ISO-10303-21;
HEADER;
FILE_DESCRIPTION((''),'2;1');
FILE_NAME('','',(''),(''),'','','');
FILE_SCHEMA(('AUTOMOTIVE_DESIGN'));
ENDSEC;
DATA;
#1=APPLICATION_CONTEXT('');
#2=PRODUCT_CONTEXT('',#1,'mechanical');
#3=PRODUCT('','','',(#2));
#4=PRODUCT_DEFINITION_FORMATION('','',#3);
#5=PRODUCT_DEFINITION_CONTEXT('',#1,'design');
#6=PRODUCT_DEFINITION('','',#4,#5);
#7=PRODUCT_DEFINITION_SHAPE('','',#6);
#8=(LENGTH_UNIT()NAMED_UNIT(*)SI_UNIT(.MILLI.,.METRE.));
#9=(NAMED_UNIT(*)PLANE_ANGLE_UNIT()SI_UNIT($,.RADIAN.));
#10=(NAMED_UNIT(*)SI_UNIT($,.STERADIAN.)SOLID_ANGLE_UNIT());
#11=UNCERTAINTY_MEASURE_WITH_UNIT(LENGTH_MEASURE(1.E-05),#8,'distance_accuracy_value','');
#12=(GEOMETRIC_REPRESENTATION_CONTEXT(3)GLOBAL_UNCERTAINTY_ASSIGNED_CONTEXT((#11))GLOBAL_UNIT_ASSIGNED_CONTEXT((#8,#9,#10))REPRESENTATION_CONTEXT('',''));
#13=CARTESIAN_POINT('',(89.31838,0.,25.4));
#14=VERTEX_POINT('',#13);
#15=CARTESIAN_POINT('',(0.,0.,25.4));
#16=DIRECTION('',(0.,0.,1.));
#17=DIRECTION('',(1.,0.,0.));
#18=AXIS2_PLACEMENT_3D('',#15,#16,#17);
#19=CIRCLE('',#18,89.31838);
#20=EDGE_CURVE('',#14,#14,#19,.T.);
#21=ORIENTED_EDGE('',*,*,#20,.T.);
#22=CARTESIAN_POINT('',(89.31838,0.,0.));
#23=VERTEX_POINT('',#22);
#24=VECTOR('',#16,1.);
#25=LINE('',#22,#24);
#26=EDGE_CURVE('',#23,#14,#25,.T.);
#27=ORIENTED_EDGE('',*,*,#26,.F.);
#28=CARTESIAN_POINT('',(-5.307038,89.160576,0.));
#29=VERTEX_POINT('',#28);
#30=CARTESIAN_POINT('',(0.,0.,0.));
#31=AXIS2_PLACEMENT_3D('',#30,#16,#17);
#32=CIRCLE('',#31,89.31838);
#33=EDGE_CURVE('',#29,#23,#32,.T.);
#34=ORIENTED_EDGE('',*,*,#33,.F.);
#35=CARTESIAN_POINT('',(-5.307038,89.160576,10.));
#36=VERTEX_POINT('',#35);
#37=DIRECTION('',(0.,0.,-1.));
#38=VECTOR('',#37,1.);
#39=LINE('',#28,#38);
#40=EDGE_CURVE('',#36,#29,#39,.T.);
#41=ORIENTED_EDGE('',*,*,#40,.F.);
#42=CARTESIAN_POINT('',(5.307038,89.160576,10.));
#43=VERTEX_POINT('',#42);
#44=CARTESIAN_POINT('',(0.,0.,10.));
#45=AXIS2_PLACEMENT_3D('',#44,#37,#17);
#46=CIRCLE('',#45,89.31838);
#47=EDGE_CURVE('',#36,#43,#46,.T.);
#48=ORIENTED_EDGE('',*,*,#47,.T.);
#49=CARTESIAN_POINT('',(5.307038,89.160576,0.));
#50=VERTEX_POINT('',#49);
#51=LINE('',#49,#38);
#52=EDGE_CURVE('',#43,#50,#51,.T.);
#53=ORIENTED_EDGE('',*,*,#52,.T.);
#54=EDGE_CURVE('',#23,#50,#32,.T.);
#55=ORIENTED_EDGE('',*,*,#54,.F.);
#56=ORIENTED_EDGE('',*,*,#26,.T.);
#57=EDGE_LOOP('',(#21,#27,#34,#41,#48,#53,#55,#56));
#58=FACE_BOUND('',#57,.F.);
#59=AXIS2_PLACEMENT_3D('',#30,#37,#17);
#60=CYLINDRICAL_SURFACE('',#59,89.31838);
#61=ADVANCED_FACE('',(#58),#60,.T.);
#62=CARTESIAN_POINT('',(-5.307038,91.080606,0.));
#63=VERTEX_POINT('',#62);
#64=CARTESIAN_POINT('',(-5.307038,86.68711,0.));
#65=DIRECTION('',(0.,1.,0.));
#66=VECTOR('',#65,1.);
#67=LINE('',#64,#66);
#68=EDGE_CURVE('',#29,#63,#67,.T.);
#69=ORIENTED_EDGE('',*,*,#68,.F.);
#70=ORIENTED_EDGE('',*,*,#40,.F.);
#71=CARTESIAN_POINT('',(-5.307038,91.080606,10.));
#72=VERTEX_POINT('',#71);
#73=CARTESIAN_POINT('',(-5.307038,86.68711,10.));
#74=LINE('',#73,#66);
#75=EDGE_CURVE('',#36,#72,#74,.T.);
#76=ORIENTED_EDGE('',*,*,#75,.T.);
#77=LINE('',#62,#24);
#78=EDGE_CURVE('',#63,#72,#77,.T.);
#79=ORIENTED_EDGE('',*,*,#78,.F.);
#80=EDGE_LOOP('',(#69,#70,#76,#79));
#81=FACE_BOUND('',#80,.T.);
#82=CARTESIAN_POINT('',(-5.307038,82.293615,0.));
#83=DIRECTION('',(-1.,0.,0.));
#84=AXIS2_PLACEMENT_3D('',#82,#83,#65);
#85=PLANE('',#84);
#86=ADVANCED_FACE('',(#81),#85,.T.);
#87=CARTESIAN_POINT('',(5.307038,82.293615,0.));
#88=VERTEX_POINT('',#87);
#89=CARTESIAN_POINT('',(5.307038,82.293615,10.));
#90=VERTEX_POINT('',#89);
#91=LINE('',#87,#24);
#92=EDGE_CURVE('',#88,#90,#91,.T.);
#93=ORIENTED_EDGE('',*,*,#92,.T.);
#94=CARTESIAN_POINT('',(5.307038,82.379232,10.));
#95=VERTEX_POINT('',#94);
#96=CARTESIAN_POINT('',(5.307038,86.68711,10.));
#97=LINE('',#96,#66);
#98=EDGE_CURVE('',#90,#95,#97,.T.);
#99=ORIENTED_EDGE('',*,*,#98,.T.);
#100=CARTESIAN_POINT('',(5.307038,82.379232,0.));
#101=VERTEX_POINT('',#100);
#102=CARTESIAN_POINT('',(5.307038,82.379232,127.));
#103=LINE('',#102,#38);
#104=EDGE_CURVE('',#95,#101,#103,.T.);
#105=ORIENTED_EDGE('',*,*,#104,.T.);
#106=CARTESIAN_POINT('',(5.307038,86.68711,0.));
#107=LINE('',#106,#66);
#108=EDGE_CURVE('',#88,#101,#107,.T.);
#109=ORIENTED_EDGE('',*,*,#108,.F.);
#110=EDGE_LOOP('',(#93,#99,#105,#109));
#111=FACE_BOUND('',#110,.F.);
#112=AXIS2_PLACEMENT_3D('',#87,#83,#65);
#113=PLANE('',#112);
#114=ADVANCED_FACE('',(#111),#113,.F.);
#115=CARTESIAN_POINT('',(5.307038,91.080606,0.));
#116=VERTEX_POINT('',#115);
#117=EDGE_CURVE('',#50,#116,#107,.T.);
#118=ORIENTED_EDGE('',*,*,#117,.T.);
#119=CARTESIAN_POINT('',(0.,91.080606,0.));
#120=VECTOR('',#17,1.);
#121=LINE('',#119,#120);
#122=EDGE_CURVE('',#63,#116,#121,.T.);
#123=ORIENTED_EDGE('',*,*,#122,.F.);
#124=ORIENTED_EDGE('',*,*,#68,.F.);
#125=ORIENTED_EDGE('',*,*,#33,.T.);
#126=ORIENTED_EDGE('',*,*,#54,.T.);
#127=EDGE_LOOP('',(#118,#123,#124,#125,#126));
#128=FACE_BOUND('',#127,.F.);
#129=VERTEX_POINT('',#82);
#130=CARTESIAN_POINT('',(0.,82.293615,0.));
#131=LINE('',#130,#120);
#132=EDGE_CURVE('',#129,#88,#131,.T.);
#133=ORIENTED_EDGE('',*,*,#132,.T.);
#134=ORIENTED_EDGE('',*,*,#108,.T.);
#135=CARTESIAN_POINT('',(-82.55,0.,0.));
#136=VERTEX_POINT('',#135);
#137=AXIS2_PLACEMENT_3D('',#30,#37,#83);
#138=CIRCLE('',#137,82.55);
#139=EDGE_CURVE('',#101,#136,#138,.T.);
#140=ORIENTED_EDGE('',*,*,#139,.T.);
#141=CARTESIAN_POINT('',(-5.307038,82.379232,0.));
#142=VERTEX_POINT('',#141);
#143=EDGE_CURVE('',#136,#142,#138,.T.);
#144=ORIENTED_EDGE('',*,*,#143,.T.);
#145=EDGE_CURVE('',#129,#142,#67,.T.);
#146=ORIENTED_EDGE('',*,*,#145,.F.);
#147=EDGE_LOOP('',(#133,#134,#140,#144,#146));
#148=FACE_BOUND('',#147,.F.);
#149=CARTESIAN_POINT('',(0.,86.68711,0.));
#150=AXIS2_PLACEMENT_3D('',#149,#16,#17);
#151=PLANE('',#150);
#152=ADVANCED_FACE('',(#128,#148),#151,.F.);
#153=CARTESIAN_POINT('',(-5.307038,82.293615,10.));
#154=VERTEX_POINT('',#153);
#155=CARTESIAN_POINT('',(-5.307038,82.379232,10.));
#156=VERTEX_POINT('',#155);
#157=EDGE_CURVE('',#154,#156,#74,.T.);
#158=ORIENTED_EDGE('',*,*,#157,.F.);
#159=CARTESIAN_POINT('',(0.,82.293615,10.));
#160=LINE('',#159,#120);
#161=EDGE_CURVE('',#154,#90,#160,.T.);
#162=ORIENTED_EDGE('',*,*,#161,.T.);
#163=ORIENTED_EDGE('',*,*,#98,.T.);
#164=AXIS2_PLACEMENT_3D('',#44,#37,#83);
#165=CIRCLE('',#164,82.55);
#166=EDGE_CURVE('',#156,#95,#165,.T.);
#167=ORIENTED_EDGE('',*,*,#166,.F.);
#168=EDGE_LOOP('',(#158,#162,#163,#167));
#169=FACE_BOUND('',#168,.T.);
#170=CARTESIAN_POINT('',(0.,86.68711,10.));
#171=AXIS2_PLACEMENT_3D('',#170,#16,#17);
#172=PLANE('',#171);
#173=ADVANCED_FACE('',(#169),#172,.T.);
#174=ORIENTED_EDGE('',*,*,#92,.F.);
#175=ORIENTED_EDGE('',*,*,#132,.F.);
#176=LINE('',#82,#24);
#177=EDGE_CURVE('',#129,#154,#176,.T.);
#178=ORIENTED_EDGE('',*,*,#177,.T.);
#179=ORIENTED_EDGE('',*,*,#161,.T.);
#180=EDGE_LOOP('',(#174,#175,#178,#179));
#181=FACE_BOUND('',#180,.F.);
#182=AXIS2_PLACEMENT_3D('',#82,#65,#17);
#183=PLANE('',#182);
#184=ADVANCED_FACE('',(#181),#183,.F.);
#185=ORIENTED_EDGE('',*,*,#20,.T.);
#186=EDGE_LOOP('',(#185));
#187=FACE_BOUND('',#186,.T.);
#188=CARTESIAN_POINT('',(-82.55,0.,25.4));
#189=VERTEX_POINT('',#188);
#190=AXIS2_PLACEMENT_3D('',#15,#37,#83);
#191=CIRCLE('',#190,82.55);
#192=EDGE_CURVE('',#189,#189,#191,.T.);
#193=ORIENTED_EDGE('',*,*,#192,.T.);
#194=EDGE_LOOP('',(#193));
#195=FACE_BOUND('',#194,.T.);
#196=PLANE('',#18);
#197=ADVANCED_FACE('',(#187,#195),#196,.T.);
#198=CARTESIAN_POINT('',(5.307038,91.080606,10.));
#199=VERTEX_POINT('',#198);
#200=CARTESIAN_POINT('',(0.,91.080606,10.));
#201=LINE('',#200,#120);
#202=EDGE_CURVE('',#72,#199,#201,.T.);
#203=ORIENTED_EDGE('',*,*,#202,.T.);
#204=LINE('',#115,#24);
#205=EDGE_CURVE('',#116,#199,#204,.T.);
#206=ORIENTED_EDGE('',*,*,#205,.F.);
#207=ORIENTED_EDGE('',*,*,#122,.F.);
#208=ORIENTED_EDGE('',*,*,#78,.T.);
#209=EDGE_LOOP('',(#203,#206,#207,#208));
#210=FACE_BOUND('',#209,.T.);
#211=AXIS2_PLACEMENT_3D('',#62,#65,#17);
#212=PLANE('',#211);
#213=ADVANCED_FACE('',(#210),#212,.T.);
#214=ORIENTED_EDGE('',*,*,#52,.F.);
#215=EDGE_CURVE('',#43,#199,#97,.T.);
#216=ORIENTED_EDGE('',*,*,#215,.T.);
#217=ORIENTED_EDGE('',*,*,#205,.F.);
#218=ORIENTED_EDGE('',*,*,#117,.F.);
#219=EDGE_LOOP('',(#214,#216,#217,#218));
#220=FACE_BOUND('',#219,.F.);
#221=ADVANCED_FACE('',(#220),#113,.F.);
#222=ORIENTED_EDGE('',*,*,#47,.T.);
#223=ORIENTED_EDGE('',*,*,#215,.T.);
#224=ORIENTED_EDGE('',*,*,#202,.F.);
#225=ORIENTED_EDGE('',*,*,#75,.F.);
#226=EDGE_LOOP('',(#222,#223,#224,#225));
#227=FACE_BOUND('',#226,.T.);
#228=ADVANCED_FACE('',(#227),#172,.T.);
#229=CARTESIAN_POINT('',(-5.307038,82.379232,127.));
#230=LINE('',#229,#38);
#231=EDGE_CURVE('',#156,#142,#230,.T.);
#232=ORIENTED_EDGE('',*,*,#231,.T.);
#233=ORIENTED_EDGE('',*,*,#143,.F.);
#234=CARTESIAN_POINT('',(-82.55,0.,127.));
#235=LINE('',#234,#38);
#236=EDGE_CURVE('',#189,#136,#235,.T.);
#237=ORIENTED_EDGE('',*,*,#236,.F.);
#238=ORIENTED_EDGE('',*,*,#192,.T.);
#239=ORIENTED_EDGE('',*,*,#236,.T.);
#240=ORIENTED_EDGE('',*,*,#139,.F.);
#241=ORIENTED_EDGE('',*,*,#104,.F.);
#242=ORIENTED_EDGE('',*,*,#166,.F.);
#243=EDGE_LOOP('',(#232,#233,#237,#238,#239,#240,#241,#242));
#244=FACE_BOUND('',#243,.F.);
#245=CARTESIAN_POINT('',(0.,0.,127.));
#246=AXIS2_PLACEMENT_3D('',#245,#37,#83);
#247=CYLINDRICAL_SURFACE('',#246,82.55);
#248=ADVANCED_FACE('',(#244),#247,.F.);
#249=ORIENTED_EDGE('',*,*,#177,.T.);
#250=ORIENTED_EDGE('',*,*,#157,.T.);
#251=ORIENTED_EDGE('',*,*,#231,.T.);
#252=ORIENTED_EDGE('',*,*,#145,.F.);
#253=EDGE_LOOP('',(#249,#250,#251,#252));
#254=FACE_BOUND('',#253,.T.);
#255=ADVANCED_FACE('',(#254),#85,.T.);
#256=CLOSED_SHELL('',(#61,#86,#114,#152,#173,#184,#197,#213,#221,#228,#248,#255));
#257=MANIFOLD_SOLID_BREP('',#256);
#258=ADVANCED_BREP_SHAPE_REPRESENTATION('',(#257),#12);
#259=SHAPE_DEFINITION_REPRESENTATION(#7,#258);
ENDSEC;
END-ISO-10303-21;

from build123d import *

# Parameters (mm, degrees)
F0_R     = 89.31838
F1_DEPTH = 25.4
F3_D     = 165.1
F3_DEPTH = 101.6
F4_W     = 10.614076
F4_H     = 8.786991
F5_DEPTH = 10


with BuildPart() as f1:
    # F0 (on Top) → F1 (new body)
    with BuildSketch(Plane.XY):
        Circle(F0_R)
    extrude(amount=F1_DEPTH)

    # F3
    with Locations(Plane.XY.offset(25.4)):
        with Locations((0, 0)):
            Hole(F3_D / 2, depth=F3_DEPTH)

    # F4 (on Top) → F5 (join)
    with BuildSketch(Plane.XY):
        with Locations((0, 86.68711)):
            Rectangle(F4_W, F4_H)
    extrude(amount=F5_DEPTH)


solid = f1.part
